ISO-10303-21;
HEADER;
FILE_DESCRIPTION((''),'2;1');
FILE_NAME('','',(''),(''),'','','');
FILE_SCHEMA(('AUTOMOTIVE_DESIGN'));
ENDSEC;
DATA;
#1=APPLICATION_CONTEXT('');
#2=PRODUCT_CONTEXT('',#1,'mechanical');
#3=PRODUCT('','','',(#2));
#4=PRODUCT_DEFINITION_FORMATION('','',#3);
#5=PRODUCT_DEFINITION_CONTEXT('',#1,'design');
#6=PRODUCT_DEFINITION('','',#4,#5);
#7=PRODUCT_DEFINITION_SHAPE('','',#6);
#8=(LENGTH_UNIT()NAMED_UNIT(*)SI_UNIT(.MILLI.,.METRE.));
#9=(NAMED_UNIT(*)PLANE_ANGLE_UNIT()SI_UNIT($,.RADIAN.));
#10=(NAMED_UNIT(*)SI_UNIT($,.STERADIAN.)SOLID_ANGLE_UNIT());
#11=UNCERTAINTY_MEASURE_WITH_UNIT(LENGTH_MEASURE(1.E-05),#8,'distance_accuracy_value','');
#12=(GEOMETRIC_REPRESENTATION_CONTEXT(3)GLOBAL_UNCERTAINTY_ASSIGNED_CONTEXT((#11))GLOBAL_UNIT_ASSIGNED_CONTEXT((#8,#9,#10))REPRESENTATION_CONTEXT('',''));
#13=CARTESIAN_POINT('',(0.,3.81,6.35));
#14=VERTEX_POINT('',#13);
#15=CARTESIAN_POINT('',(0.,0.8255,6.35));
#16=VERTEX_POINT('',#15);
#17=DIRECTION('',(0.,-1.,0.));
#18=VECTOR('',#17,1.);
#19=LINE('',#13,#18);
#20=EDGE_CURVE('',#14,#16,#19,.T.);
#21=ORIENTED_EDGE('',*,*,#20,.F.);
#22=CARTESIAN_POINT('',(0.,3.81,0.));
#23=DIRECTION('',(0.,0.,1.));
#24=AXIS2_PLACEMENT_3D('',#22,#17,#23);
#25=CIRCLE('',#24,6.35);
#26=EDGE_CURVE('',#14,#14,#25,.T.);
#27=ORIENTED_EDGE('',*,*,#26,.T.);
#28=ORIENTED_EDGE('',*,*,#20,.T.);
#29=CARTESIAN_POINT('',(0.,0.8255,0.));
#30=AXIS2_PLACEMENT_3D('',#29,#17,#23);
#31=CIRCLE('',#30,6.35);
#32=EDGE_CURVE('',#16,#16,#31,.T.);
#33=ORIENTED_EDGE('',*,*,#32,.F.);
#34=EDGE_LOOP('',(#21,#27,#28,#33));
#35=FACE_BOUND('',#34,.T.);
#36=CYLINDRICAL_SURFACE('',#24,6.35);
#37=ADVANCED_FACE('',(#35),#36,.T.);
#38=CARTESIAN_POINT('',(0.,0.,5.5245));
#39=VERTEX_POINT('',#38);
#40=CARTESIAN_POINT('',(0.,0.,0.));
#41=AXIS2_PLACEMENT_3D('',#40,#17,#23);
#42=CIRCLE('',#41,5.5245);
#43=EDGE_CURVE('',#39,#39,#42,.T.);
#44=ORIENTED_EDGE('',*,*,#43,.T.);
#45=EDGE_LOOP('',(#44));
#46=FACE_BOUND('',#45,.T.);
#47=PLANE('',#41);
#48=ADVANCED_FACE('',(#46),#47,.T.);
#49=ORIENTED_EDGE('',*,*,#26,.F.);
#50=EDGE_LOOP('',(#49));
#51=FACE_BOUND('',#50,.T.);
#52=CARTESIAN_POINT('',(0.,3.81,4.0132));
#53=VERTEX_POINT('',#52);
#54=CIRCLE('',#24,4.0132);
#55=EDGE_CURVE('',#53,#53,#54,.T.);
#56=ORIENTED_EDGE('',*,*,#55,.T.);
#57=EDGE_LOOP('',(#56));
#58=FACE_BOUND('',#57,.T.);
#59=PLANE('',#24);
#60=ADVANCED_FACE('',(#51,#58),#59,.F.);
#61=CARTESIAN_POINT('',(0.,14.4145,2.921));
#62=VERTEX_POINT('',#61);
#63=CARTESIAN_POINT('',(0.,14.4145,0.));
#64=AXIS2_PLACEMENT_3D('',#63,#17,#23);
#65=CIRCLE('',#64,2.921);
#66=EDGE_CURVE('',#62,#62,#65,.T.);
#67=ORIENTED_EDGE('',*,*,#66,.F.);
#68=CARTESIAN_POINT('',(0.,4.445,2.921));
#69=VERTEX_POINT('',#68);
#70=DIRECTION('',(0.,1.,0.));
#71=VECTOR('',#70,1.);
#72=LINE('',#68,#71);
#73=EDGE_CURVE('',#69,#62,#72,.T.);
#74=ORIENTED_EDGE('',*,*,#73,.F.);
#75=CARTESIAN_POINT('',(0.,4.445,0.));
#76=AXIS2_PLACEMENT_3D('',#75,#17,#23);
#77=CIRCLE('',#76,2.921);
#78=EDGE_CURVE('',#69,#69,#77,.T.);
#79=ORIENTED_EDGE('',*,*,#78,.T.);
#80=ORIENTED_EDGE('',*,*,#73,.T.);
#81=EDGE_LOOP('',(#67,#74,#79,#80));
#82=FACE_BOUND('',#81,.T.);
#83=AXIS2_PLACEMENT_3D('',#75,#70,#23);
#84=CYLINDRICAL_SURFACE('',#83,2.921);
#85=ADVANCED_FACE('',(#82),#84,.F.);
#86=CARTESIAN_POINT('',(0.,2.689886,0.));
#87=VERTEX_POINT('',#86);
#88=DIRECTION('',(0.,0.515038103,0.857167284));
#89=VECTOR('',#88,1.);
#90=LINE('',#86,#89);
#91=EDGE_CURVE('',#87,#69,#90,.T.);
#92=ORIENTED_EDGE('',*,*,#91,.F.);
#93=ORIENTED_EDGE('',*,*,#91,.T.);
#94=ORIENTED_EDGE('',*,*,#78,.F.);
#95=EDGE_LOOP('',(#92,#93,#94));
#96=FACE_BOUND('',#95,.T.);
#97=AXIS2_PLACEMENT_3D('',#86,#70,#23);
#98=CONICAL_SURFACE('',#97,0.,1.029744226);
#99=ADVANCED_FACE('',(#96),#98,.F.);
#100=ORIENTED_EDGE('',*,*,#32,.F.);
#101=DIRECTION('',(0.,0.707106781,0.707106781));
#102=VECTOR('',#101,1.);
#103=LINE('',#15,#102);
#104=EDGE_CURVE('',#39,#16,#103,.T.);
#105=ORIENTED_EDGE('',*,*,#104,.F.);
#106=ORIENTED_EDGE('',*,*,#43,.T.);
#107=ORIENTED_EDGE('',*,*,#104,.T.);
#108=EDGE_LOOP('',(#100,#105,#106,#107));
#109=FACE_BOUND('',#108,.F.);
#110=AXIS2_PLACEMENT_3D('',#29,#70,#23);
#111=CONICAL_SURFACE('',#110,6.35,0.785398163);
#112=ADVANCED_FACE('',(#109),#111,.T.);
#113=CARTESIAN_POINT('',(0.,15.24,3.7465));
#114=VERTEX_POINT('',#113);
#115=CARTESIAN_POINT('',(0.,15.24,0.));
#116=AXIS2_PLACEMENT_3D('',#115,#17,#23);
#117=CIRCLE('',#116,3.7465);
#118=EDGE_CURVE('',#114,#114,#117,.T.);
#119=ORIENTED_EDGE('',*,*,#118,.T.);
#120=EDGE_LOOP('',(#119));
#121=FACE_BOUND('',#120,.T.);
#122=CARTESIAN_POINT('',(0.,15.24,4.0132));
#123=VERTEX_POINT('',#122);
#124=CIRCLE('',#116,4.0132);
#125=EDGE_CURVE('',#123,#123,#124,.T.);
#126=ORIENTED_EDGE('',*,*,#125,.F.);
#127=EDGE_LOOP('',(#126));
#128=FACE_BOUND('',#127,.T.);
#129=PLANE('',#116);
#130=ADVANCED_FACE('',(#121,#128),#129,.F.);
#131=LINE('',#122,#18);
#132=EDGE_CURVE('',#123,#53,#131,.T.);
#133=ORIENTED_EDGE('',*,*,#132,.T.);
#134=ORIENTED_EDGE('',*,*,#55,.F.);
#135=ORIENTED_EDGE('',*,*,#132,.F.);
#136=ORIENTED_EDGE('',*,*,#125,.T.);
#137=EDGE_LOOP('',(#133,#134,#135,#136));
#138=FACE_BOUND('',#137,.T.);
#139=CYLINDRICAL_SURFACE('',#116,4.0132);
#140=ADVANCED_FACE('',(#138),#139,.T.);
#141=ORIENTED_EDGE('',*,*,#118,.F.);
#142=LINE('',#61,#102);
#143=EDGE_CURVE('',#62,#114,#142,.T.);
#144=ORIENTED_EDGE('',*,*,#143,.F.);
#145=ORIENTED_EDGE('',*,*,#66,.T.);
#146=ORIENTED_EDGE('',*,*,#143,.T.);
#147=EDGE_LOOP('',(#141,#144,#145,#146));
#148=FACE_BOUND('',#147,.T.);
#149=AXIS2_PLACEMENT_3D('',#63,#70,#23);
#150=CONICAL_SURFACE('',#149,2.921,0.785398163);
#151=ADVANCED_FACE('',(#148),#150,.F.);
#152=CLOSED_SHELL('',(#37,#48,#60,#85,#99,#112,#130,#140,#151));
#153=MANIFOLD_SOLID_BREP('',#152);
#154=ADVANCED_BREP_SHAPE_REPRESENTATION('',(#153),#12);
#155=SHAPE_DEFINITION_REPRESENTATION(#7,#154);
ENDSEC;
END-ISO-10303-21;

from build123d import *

# Parameters (mm, degrees)
F2_SIZE = 0.8255


with BuildPart() as f1:
    # F0 (on Right) → F1 (revolve)
    with BuildSketch(Plane.YZ):
        Polygon((0, 6.35), (0, 0), (2.689886, 0), (4.445, 2.921), (15.24, 2.921), (15.24, 4.0132), (3.81, 4.0132), (3.81, 6.35), align=None)
    revolve(axis=Axis((0, 1.344943, 0), (0, -1, 0)))

    # F2
    f2_edges = [f1.edges().sort_by_distance(p)[0] for p in [
        (0, 15.24, -2.921),
        (0, 0, -6.35),
    ]]
    chamfer(f2_edges, length=F2_SIZE)


solid = f1.part
